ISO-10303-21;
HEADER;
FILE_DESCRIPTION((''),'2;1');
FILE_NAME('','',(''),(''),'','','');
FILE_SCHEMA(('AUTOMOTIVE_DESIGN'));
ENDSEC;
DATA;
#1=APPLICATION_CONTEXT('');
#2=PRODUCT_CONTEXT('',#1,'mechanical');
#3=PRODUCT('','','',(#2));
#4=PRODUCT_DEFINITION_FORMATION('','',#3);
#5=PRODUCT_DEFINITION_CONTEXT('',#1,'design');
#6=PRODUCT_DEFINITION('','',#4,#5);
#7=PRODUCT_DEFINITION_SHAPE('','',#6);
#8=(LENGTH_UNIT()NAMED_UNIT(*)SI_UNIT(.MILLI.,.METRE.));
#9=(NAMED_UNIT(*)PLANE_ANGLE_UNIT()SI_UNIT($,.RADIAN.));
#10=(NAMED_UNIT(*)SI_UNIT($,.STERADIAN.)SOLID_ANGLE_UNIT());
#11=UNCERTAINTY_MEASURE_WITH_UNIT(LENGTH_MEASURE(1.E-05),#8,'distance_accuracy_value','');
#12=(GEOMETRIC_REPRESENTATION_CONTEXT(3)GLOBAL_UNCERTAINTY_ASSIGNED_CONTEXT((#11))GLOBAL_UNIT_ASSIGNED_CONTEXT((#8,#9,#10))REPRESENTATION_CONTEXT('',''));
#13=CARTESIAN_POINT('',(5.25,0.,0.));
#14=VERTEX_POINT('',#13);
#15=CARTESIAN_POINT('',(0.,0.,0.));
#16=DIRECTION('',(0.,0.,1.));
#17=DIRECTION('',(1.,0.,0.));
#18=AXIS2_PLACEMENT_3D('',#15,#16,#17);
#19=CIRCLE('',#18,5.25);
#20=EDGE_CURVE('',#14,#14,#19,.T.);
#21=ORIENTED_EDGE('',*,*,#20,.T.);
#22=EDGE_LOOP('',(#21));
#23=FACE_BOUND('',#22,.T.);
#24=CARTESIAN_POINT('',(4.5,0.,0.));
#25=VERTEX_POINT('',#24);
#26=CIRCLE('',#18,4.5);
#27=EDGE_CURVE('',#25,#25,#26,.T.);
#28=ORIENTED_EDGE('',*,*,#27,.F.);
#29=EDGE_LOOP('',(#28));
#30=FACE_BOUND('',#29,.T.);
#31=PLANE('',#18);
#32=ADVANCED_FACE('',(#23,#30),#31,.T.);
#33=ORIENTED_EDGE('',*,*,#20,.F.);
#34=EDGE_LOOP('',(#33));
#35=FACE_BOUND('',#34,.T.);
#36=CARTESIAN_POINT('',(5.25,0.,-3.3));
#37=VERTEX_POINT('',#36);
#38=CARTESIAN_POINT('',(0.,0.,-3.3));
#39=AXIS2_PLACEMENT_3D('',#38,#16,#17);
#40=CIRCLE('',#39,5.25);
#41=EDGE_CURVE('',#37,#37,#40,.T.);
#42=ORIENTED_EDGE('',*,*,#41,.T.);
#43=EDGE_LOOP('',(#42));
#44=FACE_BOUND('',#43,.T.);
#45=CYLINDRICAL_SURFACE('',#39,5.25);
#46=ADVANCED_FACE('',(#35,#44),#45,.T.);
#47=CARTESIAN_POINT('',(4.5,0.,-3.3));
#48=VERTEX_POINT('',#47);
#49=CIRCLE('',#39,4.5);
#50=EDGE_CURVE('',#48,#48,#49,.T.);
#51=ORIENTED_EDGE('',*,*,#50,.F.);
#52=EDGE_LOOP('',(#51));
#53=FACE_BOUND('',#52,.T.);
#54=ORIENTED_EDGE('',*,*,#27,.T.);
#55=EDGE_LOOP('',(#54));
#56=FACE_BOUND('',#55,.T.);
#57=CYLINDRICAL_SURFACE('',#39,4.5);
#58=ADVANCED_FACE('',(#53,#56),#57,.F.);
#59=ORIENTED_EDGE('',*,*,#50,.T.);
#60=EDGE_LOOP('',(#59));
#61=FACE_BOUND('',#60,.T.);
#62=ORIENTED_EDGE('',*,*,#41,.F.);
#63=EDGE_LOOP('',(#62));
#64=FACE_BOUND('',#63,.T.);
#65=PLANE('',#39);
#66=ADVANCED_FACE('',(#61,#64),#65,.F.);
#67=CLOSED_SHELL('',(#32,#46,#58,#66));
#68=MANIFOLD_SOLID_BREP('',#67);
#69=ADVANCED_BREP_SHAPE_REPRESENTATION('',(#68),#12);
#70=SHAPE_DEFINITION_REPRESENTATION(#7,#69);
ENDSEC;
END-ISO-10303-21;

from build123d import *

# Parameters (mm, degrees)
SKETCH1_R           = 3.5
SKETCH1_R_2         = 3
BOSS_EXTRUDE1_DEPTH = 2.2
SCALE1_SCALE        = 1.5


with BuildPart() as part:
    # Sketch1 → Boss-Extrude1 (new body)
    with BuildSketch(Plane.XY):
        Circle(SKETCH1_R)
        Circle(SKETCH1_R_2, mode=Mode.SUBTRACT)
    extrude(amount=-BOSS_EXTRUDE1_DEPTH)


with BuildPart() as part_1:
    # Scale1: scaled about (0, 0, 0)
    add(part.part.scale(SCALE1_SCALE))


solid = part_1.part
